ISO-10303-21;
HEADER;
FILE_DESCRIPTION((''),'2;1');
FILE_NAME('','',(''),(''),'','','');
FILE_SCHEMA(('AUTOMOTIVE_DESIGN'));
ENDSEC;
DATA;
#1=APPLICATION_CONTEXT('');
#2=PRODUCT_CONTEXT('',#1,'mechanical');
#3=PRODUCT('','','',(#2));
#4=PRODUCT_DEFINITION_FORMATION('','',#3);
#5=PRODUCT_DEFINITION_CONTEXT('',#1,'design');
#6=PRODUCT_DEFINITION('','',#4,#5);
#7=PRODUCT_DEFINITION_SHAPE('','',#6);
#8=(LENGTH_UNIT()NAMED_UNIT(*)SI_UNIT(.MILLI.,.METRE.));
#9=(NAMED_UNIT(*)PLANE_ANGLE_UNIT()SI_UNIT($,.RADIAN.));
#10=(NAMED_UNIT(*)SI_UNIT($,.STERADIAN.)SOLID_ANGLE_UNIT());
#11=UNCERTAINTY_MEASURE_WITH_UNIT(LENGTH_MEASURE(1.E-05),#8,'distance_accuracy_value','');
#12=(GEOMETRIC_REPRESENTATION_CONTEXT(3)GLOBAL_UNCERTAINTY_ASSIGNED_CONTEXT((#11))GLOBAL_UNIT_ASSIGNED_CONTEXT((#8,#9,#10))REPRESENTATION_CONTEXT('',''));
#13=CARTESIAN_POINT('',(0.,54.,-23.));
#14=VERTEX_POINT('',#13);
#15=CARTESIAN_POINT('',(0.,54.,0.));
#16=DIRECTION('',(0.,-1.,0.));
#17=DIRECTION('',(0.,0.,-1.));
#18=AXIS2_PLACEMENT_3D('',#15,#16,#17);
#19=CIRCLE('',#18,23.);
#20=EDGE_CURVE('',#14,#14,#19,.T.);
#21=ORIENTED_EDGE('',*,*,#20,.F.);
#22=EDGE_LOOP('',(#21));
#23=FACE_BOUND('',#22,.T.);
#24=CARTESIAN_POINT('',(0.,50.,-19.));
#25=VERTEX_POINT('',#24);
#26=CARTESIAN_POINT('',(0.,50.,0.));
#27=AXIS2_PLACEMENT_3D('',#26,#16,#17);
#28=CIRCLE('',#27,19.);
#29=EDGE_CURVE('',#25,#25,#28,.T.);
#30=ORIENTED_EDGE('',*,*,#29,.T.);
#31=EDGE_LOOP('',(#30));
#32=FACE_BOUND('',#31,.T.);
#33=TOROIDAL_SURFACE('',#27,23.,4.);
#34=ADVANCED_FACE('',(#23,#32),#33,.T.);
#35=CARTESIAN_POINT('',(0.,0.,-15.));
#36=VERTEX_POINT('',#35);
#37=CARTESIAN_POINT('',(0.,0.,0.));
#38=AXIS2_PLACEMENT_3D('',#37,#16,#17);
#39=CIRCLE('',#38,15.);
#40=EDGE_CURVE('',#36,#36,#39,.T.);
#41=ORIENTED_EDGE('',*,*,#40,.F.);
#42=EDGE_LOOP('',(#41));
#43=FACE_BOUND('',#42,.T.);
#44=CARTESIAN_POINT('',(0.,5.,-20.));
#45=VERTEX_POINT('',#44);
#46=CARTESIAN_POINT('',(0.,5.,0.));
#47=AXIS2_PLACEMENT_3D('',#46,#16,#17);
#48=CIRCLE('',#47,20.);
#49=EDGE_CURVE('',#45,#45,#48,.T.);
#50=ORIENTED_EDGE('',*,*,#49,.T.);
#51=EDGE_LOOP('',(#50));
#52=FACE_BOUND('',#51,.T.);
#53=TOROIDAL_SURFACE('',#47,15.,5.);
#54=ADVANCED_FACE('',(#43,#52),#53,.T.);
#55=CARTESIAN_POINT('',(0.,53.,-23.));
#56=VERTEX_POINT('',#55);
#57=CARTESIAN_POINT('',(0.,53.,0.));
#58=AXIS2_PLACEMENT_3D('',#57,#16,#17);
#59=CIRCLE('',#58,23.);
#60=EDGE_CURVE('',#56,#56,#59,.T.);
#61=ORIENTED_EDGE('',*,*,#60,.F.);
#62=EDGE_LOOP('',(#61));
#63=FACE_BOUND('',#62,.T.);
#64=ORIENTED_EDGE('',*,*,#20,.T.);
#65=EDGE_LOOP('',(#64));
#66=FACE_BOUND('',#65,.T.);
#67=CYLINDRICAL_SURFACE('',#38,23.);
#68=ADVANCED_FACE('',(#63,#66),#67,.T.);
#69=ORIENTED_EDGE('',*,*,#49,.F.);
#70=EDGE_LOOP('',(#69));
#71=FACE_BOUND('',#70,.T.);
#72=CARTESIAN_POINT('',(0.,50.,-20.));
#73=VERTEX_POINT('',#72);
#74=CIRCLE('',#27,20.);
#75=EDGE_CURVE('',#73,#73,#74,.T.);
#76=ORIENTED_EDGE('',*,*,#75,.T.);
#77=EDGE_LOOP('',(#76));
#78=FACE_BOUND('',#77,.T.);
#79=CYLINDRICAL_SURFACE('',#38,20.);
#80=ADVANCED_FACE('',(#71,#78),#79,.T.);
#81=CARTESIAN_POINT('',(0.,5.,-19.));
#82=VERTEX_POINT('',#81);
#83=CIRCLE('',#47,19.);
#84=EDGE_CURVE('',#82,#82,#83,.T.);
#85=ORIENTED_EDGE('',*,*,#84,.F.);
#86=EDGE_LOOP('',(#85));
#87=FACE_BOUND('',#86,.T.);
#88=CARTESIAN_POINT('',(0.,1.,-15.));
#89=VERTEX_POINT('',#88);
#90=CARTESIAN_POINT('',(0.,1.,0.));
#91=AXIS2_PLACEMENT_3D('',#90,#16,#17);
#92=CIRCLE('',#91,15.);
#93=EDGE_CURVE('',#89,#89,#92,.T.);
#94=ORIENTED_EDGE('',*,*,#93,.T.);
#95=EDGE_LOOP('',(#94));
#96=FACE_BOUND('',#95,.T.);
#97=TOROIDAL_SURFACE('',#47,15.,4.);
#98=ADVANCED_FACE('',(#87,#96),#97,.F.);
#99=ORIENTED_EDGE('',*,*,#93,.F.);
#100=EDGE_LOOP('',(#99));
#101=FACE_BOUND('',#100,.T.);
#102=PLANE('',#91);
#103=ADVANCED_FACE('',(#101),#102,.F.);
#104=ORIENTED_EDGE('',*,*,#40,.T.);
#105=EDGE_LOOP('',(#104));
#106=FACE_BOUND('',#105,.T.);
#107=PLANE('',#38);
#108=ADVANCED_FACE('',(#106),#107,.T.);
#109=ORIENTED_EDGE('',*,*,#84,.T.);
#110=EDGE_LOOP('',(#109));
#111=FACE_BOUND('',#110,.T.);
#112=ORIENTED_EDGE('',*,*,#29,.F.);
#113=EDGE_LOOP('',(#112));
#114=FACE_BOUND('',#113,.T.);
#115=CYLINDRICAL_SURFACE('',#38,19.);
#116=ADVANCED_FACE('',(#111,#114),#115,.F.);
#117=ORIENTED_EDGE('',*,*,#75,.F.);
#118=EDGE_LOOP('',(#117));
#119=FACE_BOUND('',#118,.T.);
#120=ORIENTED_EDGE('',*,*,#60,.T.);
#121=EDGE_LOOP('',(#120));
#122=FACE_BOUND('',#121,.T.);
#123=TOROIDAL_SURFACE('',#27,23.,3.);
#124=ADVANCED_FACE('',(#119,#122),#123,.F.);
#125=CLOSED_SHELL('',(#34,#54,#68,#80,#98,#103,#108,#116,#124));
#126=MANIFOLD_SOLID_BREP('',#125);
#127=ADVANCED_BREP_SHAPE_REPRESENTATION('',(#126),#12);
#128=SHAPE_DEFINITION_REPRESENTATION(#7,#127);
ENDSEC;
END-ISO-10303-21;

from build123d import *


with BuildPart() as part:
    # Skica1 → Rotace tenkostěnný1 (revolve)
    with BuildSketch(Plane.XY):
        with BuildLine():
            Line((0, 0), (-15, 0))
            ThreePointArc((-15, 0), (-18.535533906, 1.464466094), (-20, 5))
            Line((-20, 5), (-20, 50))
            ThreePointArc((-20, 50), (-20.878679656, 52.121320344), (-23, 53))
            Line((-23, 53), (-23, 54))
            ThreePointArc((-23, 54), (-20.171572875, 52.828427125), (-19, 50))
            Line((-19, 50), (-19, 5))
            ThreePointArc((-19, 5), (-17.828427125, 2.171572875), (-15, 1))
            Line((-15, 1), (0, 1))
            Line((0, 1), (0, 0))
        make_face()
    revolve(axis=Axis((0, 0, 0), (0, 1, 0)))


solid = part.part
